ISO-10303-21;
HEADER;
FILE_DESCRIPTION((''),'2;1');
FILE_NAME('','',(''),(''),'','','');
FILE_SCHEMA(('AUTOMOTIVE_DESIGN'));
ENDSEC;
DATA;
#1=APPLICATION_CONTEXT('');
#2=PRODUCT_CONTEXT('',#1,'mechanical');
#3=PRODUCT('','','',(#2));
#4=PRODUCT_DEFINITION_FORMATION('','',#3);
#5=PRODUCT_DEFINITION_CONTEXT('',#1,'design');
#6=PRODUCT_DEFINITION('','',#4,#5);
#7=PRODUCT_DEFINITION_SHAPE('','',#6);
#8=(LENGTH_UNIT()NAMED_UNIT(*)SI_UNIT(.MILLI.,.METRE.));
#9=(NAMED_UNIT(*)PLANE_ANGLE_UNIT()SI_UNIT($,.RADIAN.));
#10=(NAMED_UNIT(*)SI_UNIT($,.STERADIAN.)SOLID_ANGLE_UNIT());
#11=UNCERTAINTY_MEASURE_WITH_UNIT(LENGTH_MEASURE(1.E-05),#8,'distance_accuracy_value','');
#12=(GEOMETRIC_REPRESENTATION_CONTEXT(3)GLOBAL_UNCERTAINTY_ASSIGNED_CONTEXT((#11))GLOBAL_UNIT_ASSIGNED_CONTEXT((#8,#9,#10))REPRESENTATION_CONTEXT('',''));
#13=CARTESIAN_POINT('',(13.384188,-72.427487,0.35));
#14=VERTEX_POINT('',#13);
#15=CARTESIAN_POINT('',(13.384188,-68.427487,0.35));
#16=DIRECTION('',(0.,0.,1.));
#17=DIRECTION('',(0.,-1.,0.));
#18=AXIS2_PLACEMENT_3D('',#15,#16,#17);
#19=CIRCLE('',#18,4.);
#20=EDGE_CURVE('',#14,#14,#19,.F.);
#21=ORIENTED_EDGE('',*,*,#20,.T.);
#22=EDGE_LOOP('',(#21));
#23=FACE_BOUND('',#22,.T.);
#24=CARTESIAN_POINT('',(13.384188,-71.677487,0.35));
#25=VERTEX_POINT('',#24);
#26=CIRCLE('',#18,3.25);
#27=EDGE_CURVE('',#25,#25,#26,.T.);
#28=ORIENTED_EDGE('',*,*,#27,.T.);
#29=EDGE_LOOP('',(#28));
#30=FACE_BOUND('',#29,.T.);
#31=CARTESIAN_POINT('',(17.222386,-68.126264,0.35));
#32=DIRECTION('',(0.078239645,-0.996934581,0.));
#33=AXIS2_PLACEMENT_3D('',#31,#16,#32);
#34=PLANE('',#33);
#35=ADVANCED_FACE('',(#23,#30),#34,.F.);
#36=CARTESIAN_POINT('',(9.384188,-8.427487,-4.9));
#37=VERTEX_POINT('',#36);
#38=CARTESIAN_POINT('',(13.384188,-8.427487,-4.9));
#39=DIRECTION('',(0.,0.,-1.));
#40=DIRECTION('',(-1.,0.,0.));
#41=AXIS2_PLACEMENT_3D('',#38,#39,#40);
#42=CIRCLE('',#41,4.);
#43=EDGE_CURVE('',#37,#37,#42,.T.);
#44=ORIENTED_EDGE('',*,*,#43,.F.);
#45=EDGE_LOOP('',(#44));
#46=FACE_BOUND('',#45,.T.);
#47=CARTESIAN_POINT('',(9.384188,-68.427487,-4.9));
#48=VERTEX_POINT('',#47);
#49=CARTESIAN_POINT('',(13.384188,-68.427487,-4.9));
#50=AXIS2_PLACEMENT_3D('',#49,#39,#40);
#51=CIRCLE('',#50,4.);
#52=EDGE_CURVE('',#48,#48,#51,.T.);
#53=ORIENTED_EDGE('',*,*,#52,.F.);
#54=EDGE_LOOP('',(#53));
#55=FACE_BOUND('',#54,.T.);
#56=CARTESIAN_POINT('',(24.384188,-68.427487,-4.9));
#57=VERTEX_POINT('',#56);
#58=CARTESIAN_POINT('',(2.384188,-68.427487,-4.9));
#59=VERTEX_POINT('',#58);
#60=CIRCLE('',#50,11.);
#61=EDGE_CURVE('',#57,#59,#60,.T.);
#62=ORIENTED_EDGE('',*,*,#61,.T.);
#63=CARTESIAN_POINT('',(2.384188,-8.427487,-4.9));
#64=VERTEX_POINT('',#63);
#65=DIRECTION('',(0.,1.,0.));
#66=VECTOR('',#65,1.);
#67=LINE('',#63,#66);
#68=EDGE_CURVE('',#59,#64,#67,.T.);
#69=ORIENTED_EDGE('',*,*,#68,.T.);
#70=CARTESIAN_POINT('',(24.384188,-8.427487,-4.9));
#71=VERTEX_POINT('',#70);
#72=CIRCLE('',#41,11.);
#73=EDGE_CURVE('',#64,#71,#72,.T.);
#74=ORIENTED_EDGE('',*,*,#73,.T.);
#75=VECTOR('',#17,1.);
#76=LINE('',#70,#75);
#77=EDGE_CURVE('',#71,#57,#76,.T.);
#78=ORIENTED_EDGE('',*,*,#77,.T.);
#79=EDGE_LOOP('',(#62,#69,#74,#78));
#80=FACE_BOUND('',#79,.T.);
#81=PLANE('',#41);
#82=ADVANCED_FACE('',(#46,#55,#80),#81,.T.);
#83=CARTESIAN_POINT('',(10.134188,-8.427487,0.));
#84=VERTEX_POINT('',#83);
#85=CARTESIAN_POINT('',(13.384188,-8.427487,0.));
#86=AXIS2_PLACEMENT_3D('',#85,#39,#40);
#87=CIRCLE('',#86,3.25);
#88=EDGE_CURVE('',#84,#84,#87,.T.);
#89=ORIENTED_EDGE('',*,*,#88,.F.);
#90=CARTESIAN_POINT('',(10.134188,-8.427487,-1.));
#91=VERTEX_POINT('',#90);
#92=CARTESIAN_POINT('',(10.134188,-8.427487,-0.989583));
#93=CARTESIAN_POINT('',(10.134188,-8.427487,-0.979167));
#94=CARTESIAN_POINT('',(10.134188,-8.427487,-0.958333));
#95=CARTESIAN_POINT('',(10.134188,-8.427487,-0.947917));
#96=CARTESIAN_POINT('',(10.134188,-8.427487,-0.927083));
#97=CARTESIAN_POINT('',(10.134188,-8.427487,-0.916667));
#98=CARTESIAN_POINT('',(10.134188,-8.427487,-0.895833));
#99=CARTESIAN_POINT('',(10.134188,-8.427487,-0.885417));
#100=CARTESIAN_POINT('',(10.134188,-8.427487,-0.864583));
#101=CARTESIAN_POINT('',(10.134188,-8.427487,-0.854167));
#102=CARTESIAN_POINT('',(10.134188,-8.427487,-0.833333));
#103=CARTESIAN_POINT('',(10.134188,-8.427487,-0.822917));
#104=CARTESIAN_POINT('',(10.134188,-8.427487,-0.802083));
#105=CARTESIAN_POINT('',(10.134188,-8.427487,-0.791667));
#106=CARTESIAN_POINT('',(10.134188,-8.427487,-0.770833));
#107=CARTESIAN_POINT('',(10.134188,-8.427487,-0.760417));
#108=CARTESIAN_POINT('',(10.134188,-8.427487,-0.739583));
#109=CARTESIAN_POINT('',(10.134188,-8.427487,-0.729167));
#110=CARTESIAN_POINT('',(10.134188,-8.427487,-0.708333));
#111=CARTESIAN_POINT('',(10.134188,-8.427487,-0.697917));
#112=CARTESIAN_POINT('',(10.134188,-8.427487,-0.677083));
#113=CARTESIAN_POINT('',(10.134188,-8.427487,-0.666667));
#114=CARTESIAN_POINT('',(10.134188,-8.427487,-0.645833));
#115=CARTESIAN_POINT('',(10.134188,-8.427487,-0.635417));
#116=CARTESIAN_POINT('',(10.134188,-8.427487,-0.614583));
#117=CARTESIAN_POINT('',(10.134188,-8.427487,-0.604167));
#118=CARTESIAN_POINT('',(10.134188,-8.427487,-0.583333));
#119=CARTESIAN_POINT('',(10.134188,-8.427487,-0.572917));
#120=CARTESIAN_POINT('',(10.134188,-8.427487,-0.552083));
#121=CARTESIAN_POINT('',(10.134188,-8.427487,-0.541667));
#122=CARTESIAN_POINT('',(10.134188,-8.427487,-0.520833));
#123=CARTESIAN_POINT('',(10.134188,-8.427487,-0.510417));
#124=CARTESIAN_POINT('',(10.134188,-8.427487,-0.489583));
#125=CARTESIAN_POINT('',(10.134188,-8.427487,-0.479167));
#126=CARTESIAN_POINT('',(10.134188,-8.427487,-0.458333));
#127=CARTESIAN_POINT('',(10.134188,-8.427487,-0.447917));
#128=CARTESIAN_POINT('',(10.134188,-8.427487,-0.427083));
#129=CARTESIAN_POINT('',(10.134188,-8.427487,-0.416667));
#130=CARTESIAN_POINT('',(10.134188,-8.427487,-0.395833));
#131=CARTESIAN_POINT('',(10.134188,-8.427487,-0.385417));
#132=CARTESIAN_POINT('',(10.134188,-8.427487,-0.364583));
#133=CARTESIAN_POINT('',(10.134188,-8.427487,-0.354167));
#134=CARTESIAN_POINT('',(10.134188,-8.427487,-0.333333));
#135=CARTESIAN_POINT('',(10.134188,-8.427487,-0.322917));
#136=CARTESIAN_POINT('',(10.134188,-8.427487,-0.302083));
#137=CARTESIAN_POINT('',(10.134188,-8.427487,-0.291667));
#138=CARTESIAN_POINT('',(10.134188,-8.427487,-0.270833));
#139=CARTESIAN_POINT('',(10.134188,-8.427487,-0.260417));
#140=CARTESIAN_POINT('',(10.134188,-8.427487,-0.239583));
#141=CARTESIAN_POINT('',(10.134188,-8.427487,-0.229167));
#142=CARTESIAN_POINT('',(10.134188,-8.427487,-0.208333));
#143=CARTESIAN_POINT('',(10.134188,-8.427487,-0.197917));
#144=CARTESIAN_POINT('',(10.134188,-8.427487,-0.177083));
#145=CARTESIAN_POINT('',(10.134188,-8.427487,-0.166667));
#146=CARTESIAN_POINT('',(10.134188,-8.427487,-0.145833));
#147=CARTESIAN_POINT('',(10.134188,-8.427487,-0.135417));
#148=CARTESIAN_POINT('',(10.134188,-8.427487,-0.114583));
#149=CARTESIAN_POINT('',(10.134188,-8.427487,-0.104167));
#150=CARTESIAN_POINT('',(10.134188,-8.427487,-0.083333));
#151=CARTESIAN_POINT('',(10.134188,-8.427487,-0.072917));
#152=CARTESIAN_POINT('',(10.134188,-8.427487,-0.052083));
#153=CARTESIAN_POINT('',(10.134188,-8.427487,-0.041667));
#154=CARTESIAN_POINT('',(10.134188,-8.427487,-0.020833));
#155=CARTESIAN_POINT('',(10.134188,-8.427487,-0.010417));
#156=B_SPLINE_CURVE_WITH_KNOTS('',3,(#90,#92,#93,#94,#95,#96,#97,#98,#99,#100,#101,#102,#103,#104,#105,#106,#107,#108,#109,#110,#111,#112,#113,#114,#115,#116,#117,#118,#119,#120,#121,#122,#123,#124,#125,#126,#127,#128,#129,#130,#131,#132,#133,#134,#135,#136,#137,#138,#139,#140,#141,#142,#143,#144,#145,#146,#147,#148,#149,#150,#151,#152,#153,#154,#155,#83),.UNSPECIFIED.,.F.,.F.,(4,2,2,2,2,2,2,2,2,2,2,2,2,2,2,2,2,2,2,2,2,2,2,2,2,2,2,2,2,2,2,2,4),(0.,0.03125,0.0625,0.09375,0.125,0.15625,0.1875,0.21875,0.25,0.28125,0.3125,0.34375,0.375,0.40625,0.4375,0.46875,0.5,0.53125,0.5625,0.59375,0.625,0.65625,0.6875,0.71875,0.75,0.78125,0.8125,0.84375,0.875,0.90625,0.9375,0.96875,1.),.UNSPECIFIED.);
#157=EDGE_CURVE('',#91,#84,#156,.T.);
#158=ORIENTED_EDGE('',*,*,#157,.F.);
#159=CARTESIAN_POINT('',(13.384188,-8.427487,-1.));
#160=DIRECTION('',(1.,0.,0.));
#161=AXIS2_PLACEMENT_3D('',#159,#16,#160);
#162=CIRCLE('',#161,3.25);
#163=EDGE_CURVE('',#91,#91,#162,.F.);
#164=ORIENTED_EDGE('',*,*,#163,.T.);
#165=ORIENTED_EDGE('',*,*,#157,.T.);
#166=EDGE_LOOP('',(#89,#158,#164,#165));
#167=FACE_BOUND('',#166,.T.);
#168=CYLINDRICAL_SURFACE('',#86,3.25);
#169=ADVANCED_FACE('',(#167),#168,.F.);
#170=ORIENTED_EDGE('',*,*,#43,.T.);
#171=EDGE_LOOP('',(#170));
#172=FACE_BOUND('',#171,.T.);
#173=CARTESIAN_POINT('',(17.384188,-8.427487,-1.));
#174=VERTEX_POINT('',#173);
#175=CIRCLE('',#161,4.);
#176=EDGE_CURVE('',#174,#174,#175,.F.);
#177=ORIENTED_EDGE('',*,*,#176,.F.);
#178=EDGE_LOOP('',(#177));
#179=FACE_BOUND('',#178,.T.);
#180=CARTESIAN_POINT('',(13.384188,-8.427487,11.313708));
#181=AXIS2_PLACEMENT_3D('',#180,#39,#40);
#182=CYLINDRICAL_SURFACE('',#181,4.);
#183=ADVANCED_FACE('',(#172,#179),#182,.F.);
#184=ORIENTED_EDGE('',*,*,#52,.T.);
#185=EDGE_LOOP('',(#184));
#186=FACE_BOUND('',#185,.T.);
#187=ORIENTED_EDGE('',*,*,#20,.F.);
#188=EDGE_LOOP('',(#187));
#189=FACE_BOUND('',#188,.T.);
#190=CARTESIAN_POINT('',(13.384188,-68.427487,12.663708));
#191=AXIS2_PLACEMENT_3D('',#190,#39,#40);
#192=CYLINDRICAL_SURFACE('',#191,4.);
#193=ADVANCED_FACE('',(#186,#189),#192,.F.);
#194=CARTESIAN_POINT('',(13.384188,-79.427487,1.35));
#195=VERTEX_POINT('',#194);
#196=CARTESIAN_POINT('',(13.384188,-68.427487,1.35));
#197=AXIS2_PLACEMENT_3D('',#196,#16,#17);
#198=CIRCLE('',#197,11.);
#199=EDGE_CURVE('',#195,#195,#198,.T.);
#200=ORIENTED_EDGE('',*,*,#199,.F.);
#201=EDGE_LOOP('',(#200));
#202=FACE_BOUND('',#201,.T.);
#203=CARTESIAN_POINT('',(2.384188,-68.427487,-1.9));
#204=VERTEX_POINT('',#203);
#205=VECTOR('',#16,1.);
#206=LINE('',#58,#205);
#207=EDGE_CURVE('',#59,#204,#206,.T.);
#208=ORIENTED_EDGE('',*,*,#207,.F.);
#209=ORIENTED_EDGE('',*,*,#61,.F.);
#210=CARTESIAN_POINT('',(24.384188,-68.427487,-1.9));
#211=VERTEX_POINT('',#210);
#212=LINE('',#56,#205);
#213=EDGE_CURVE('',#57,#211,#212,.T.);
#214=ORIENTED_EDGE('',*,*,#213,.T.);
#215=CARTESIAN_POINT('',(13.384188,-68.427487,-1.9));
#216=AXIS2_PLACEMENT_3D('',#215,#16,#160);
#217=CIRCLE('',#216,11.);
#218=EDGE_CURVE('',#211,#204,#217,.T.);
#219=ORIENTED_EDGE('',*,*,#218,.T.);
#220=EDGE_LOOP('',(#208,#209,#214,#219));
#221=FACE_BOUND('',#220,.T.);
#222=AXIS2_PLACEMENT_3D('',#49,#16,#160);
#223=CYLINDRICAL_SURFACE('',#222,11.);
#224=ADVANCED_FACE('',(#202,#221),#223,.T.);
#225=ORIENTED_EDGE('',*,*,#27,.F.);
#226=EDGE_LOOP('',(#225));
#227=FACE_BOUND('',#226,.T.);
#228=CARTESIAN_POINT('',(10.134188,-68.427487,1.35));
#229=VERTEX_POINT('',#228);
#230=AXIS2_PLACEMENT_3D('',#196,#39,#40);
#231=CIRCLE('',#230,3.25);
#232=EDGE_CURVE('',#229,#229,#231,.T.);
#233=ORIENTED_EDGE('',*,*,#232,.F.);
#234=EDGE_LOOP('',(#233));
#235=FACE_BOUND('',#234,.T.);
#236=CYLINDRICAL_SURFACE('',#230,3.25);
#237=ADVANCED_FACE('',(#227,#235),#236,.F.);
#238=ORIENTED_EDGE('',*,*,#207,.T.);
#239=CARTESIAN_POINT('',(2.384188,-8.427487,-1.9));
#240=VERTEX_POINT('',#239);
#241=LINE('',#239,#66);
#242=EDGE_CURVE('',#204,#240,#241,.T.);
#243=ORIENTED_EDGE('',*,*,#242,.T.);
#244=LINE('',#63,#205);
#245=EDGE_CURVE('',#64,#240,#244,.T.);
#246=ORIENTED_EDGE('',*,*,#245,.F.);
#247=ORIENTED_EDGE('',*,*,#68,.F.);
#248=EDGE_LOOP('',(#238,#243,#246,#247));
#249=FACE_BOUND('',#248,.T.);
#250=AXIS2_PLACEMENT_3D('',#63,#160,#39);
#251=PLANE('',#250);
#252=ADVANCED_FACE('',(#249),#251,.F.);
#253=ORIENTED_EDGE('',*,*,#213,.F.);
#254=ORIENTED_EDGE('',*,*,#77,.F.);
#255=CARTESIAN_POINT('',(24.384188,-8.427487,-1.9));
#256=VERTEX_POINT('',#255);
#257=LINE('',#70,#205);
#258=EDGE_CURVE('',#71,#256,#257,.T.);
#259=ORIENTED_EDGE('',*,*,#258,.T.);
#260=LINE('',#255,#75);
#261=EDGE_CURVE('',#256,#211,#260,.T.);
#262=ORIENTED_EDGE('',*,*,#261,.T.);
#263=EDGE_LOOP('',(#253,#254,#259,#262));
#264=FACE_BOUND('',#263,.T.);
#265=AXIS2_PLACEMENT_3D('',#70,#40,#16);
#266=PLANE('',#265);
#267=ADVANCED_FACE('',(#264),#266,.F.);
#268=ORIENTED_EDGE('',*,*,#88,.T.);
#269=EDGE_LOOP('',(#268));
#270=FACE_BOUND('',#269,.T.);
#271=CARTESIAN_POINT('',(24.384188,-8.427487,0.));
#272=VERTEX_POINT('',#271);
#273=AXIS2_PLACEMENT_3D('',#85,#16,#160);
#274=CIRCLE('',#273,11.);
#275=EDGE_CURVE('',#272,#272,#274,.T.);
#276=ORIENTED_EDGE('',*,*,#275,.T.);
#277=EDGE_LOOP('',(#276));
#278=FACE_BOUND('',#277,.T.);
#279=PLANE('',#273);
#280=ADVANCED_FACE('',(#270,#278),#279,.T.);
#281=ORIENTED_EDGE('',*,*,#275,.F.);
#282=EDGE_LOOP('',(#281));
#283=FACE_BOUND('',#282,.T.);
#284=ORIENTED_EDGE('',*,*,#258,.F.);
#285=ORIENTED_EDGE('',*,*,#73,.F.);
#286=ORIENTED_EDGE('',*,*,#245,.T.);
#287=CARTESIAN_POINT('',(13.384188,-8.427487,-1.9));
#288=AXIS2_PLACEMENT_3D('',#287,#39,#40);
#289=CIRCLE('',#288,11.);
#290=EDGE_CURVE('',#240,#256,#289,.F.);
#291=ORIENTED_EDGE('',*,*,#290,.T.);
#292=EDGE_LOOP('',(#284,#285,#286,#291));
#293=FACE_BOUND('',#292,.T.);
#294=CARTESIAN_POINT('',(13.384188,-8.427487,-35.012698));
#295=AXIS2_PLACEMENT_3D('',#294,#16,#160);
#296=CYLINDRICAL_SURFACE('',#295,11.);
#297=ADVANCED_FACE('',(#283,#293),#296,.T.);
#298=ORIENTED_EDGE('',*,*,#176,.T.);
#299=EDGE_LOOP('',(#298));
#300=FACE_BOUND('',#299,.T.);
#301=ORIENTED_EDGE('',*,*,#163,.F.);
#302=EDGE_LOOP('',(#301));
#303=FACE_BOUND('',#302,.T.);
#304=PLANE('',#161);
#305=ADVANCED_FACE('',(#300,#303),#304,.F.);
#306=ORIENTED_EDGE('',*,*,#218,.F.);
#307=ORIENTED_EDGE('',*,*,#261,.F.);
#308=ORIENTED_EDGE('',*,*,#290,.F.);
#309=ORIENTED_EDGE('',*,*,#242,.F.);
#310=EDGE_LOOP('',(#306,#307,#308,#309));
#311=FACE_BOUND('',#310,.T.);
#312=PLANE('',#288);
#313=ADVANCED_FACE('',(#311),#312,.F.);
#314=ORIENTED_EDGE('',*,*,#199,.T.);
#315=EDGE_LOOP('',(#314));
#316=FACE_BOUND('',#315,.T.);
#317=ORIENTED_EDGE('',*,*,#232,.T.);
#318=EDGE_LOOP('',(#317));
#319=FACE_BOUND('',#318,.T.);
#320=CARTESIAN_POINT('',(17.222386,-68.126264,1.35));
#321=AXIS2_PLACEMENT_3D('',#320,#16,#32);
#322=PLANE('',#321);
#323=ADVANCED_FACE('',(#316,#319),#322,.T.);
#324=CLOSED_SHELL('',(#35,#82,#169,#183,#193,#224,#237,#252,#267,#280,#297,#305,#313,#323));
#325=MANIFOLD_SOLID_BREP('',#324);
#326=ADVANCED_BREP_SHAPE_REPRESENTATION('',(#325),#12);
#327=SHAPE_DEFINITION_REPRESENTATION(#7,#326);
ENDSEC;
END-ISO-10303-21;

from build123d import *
from build123d.topology import SkipClean

# Parameters (mm, degrees)
ESBO_O1_R                = 11
RESSALTO_EXTRUS_O1_DEPTH = 1.9
RESSALTO_EXTRUS_O3_DEPTH = 3
ESBO_O4_R                = 3.25
CORTE_EXTRUS_O2_DEPTH    = 84.230548987
ESBO_O5_R                = 4
CORTE_EXTRUS_O5_DEPTH    = 3.9
RESSALTO_EXTRUS_O4_START = 3.25
ESBO_O6_R                = 11
RESSALTO_EXTRUS_O4_DEPTH = 3.25
ESBO_O7_R                = 4
CORTE_EXTRUS_O6_DEPTH    = 5.25
ESBO_O8_R                = 3.25
CORTE_EXTRUS_O7_DEPTH    = 84.320926451


with BuildPart() as part:
    # Esboço1 → Ressalto-extrusão1 (new body)
    with BuildSketch(Plane.XY):
        with Locations((13.384187511, -8.427486956)):
            Circle(ESBO_O1_R)
    extrude(amount=-RESSALTO_EXTRUS_O1_DEPTH)

    # Esboço3 → Ressalto-extrusão3 (add)
    with SkipClean():  # the faces are left unmerged after this step: merging them gives an invalid solid
        with BuildSketch(Plane(origin=(0, 0, -1.9), x_dir=(-1, 0, 0), z_dir=(0, 0, -1))):
            with BuildLine():
                Line((-24.384187511, -8.427486956), (-24.384187511, -68.427486956))
                ThreePointArc((-24.384187511, -68.427486956), (-13.384187511, -79.427486956), (-2.384187511, -68.427486956))
                Line((-2.384187511, -68.427486956), (-2.384187511, -8.427486956))
                ThreePointArc((-2.384187511, -8.427486956), (-13.384187511, 2.572513044), (-24.384187511, -8.427486956))
            make_face()
        extrude(amount=RESSALTO_EXTRUS_O3_DEPTH)

    # Esboço4 → Corte-extrusão2 (cut, through all)
    with SkipClean():  # the faces are left unmerged after this step: merging them gives an invalid solid
        with BuildSketch(Plane(origin=(0, 0, -4.9), x_dir=(-1, 0, 0), z_dir=(0, 0, -1))):
            with Locations((-13.384187511, -8.427486956)):
                Circle(ESBO_O4_R)
        extrude(amount=-CORTE_EXTRUS_O2_DEPTH, mode=Mode.SUBTRACT)

    # Esboço5 → Corte-extrusão5 (cut)
    with SkipClean():  # the faces are left unmerged after this step: merging them gives an invalid solid
        with BuildSketch(Plane(origin=(0, 0, -4.9), x_dir=(-1, 0, 0), z_dir=(0, 0, -1))):
            with Locations((-13.384187511, -8.427486956)):
                Circle(ESBO_O5_R)
        extrude(amount=-CORTE_EXTRUS_O5_DEPTH, mode=Mode.SUBTRACT)

    # Esboço6 → Ressalto-extrusão4 (add)
    with SkipClean():  # the faces are left unmerged after this step: merging them gives an invalid solid
        with BuildSketch(Plane.XY.offset(-1.9).offset(RESSALTO_EXTRUS_O4_START)):
            with Locations((13.384187511, -68.427486956)):
                Circle(ESBO_O6_R)
        extrude(amount=-RESSALTO_EXTRUS_O4_DEPTH)

    # Esboço7 → Corte-extrusão6 (cut)
    with SkipClean():  # the faces are left unmerged after this step: merging them gives an invalid solid
        with BuildSketch(Plane(origin=(0, 0, -4.9), x_dir=(-1, 0, 0), z_dir=(0, 0, -1))):
            with Locations((-13.384187511, -68.427486956)):
                Circle(ESBO_O7_R)
        extrude(amount=-CORTE_EXTRUS_O6_DEPTH, mode=Mode.SUBTRACT)

    # Esboço8 → Corte-extrusão7 (cut, through all)
    with SkipClean():  # the faces are left unmerged after this step: merging them gives an invalid solid
        with BuildSketch(Plane(origin=(0, 0, -4.9), x_dir=(-1, 0, 0), z_dir=(0, 0, -1))):
            with Locations((-13.384187511, -68.427486956)):
                Circle(ESBO_O8_R)
        extrude(amount=-CORTE_EXTRUS_O7_DEPTH, mode=Mode.SUBTRACT)


solid = part.part
